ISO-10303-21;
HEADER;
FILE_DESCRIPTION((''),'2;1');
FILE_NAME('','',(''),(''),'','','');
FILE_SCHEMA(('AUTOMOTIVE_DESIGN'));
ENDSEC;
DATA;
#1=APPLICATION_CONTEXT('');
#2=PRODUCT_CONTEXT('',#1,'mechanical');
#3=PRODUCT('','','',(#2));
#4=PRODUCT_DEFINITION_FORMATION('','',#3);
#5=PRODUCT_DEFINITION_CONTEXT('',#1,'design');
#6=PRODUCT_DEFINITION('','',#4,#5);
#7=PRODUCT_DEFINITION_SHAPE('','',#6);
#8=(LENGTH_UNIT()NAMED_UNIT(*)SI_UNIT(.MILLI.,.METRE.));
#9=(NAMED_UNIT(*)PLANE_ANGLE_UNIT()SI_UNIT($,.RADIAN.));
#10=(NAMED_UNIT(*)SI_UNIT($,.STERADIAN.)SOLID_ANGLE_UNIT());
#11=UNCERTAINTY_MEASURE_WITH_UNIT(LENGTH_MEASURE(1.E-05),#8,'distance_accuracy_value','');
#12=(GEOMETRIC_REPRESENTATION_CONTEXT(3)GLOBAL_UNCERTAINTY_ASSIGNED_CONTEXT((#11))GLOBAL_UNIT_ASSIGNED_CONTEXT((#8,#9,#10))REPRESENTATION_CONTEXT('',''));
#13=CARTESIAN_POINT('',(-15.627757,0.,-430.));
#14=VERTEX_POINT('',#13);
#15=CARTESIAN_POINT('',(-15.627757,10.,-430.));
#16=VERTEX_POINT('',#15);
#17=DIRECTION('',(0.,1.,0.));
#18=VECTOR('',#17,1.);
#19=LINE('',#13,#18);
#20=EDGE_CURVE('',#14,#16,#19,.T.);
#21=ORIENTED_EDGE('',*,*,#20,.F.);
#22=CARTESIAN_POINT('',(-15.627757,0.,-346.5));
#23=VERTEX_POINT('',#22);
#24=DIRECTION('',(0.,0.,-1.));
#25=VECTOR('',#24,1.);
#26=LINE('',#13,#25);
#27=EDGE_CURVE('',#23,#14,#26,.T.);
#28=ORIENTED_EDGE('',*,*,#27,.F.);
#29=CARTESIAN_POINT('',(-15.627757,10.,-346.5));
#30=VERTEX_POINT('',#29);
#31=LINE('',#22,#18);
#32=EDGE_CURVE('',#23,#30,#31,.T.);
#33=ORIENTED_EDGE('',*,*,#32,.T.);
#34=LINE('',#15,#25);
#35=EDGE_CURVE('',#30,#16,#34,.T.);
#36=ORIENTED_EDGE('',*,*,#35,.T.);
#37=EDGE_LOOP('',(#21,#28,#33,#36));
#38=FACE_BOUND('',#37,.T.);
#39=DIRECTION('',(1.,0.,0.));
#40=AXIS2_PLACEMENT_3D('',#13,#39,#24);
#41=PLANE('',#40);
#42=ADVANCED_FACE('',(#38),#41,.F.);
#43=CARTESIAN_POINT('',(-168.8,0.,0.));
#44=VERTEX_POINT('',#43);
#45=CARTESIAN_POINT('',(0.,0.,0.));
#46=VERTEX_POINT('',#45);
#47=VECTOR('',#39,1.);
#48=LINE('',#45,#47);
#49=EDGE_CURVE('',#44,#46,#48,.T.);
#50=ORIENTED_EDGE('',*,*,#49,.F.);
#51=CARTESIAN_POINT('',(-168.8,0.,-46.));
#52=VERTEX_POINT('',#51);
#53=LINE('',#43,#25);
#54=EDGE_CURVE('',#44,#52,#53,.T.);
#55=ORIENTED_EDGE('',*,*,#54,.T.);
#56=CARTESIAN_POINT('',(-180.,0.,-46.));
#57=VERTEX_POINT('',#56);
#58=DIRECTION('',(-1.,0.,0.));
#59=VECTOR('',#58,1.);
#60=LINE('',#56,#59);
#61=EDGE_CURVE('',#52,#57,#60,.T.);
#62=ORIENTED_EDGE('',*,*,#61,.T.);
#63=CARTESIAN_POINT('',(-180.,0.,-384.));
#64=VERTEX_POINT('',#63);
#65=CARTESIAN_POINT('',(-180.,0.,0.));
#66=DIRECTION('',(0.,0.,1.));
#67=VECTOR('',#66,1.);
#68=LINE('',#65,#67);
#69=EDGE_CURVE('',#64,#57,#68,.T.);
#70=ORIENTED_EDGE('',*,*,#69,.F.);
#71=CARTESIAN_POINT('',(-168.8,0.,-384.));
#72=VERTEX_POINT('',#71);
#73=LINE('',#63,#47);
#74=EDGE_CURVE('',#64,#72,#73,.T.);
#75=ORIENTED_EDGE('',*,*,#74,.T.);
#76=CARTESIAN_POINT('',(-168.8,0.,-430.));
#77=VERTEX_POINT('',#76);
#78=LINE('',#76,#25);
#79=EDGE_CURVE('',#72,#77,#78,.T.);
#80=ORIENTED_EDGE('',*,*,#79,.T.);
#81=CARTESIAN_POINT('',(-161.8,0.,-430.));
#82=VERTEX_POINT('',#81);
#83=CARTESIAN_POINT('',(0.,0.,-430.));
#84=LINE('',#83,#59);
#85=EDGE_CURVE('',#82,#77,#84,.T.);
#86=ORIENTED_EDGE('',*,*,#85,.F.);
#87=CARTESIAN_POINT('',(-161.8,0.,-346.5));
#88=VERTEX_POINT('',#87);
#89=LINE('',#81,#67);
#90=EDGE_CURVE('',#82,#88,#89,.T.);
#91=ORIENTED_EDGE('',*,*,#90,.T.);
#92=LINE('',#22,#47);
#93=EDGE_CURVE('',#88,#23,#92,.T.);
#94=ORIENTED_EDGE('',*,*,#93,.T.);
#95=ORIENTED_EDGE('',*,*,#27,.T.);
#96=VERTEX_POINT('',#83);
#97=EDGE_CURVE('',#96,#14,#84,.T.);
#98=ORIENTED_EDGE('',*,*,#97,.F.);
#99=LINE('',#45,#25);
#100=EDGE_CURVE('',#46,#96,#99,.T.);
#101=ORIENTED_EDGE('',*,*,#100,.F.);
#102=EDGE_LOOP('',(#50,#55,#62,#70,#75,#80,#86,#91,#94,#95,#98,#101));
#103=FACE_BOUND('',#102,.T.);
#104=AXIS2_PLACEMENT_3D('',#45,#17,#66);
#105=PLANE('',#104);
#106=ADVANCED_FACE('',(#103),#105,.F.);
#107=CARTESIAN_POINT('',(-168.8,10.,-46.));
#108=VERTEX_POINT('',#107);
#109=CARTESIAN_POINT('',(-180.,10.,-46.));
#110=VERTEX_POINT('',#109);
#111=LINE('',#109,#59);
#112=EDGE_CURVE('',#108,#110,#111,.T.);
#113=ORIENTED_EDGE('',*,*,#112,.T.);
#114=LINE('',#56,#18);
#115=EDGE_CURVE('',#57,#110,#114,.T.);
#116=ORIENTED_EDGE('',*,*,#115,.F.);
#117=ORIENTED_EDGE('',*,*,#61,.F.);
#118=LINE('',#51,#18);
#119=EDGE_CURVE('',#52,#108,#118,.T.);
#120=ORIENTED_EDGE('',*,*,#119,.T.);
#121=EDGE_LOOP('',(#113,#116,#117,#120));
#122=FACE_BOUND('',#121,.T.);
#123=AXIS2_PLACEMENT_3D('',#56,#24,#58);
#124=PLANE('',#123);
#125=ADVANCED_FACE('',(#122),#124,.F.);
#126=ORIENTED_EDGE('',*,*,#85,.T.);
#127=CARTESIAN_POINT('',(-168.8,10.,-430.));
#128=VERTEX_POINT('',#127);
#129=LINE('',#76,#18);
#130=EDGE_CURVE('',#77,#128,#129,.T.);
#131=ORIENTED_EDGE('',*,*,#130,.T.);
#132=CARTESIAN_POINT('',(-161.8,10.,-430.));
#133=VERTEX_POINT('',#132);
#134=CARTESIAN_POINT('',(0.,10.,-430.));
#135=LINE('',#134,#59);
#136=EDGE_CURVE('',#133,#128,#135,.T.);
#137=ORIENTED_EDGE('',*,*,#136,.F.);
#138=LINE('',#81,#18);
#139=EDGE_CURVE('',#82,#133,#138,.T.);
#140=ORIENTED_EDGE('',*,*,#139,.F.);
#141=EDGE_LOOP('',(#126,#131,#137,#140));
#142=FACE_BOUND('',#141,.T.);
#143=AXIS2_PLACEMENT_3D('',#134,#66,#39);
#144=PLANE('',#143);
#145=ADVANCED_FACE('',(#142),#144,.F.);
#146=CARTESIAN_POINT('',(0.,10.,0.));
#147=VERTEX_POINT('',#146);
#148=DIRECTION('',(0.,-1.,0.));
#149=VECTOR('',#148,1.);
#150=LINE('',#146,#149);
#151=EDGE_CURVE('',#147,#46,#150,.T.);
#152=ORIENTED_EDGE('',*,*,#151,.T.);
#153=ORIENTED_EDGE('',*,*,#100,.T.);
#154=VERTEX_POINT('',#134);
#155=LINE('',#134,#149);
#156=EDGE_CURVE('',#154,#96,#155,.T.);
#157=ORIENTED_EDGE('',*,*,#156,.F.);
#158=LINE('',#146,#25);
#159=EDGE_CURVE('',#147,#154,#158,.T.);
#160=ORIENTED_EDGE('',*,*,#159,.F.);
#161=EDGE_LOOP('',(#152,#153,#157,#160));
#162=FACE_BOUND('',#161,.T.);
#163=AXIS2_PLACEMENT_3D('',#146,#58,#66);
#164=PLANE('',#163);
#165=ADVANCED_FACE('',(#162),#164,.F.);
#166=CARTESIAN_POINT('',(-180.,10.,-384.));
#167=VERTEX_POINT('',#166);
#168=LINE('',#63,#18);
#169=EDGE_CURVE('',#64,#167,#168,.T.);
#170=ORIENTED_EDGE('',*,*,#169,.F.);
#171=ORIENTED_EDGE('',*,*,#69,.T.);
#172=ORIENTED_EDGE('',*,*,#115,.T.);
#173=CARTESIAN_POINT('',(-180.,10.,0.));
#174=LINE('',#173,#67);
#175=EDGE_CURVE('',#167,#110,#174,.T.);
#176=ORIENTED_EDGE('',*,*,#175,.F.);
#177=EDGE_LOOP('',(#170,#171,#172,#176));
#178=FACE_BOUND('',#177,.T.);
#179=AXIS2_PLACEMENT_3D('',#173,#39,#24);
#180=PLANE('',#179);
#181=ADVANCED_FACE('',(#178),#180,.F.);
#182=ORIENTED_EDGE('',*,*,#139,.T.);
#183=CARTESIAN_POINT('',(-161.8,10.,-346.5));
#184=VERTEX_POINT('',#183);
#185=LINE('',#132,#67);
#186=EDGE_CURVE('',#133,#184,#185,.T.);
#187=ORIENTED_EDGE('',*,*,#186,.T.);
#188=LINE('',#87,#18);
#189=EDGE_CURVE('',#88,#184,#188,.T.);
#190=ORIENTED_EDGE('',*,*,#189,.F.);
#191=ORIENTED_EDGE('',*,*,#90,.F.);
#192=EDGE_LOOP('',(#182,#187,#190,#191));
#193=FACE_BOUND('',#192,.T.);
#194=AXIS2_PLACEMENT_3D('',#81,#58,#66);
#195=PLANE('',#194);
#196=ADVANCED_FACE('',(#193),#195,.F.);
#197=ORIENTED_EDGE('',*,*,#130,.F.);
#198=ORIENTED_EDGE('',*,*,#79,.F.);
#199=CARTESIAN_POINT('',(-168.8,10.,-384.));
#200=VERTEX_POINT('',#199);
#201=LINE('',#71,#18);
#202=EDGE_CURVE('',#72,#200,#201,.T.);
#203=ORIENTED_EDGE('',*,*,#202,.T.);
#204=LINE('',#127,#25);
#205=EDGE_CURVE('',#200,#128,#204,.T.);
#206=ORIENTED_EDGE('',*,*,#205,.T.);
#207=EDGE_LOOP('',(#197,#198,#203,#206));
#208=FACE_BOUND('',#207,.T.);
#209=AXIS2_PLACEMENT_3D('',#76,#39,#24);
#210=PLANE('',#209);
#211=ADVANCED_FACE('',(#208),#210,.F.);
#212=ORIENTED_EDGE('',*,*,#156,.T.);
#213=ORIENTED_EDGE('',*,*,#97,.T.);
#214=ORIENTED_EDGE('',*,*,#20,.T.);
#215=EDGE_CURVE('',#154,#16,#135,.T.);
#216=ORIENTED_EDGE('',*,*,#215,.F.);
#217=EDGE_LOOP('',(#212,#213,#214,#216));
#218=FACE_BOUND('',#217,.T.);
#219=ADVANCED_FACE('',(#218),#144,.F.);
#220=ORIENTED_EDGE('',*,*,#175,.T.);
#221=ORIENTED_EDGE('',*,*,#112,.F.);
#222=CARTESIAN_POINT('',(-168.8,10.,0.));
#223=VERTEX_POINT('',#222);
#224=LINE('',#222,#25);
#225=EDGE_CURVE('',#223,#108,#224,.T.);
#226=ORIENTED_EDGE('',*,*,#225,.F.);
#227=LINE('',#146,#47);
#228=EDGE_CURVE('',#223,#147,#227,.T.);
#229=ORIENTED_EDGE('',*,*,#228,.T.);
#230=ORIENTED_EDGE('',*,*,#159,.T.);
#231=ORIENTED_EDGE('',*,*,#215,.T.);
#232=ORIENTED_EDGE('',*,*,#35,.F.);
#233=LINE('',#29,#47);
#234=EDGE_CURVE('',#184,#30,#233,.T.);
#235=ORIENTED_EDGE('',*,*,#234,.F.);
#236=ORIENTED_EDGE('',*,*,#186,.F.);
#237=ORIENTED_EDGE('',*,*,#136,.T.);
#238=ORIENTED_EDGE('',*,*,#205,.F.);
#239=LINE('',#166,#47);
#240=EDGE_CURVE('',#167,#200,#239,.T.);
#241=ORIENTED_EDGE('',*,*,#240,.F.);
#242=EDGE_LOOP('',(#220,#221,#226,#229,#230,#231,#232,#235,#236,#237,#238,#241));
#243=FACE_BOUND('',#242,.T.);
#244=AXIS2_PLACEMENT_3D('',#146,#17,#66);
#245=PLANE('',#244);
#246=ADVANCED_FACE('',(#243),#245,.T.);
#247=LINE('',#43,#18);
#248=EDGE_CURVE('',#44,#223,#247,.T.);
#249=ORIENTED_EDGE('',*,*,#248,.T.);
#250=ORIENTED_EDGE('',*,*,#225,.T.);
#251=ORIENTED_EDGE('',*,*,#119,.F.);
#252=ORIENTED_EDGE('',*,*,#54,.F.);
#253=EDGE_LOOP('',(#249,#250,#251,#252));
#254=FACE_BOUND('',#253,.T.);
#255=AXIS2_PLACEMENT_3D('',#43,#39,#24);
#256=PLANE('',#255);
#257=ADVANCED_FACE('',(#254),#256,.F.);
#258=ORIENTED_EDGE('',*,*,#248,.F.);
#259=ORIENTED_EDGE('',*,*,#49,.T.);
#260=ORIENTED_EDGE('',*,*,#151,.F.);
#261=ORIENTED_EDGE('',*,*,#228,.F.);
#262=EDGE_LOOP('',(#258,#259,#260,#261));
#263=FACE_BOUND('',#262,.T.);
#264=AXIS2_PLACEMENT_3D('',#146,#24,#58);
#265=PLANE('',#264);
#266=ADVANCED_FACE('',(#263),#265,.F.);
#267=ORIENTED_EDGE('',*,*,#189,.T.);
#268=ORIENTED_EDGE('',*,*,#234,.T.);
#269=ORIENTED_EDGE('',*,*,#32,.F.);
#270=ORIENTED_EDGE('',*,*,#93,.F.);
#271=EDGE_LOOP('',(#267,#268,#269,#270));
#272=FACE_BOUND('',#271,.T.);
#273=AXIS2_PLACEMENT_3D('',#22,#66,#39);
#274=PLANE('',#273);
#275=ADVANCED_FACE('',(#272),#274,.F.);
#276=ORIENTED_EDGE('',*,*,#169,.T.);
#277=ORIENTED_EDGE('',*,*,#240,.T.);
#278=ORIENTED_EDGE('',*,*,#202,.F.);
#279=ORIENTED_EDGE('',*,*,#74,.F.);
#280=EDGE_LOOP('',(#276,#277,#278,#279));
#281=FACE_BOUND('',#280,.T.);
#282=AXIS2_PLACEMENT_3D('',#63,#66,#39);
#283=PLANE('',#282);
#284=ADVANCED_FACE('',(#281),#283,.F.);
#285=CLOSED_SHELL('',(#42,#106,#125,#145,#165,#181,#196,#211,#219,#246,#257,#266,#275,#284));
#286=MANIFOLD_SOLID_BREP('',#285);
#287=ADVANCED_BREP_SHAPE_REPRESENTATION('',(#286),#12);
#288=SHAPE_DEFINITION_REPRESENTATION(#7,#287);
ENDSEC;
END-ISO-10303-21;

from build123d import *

# Parameters (mm, degrees)
ESQUISSE1_W             = 180
ESQUISSE1_H             = 430
BOSS_EXTRU_1_DEPTH      = 10
ESQUISSE2_W             = 146.172243306
ESQUISSE2_H             = 83.5
ENL_V_MAT_EXTRU_1_DEPTH = 10
ESQUISSE3_W             = 11.2
ESQUISSE3_H             = 46
ENL_V_MAT_EXTRU_2_DEPTH = 10


with BuildPart() as part:
    # Esquisse1 → Boss.-Extru.1 (new body)
    with BuildSketch(Plane(origin=(0, 0, 0), x_dir=(1, 0, 0), z_dir=(0, 1, 0))):
        with Locations((-90, 215)):
            Rectangle(ESQUISSE1_W, ESQUISSE1_H)
    extrude(amount=BOSS_EXTRU_1_DEPTH)

    # Esquisse2 → Enlèv. mat.-Extru.1 (cut)
    with BuildSketch(Plane(origin=(0, 10, 0), x_dir=(1, 0, 0), z_dir=(0, 1, 0))):
        with Locations((-88.713878322, 388.25)):
            Rectangle(ESQUISSE2_W, ESQUISSE2_H)
    extrude(amount=-ENL_V_MAT_EXTRU_1_DEPTH, mode=Mode.SUBTRACT)

    # Esquisse3 → Enlèv. mat.-Extru.2 (cut)
    with BuildSketch(Plane(origin=(0, 10, 0), x_dir=(1, 0, 0), z_dir=(0, 1, 0))):
        with Locations((-174.4, 407)):
            Rectangle(ESQUISSE3_W, ESQUISSE3_H)
        with Locations((-174.4, 23)):
            Rectangle(ESQUISSE3_W, ESQUISSE3_H)
    extrude(amount=-ENL_V_MAT_EXTRU_2_DEPTH, mode=Mode.SUBTRACT)


solid = part.part
